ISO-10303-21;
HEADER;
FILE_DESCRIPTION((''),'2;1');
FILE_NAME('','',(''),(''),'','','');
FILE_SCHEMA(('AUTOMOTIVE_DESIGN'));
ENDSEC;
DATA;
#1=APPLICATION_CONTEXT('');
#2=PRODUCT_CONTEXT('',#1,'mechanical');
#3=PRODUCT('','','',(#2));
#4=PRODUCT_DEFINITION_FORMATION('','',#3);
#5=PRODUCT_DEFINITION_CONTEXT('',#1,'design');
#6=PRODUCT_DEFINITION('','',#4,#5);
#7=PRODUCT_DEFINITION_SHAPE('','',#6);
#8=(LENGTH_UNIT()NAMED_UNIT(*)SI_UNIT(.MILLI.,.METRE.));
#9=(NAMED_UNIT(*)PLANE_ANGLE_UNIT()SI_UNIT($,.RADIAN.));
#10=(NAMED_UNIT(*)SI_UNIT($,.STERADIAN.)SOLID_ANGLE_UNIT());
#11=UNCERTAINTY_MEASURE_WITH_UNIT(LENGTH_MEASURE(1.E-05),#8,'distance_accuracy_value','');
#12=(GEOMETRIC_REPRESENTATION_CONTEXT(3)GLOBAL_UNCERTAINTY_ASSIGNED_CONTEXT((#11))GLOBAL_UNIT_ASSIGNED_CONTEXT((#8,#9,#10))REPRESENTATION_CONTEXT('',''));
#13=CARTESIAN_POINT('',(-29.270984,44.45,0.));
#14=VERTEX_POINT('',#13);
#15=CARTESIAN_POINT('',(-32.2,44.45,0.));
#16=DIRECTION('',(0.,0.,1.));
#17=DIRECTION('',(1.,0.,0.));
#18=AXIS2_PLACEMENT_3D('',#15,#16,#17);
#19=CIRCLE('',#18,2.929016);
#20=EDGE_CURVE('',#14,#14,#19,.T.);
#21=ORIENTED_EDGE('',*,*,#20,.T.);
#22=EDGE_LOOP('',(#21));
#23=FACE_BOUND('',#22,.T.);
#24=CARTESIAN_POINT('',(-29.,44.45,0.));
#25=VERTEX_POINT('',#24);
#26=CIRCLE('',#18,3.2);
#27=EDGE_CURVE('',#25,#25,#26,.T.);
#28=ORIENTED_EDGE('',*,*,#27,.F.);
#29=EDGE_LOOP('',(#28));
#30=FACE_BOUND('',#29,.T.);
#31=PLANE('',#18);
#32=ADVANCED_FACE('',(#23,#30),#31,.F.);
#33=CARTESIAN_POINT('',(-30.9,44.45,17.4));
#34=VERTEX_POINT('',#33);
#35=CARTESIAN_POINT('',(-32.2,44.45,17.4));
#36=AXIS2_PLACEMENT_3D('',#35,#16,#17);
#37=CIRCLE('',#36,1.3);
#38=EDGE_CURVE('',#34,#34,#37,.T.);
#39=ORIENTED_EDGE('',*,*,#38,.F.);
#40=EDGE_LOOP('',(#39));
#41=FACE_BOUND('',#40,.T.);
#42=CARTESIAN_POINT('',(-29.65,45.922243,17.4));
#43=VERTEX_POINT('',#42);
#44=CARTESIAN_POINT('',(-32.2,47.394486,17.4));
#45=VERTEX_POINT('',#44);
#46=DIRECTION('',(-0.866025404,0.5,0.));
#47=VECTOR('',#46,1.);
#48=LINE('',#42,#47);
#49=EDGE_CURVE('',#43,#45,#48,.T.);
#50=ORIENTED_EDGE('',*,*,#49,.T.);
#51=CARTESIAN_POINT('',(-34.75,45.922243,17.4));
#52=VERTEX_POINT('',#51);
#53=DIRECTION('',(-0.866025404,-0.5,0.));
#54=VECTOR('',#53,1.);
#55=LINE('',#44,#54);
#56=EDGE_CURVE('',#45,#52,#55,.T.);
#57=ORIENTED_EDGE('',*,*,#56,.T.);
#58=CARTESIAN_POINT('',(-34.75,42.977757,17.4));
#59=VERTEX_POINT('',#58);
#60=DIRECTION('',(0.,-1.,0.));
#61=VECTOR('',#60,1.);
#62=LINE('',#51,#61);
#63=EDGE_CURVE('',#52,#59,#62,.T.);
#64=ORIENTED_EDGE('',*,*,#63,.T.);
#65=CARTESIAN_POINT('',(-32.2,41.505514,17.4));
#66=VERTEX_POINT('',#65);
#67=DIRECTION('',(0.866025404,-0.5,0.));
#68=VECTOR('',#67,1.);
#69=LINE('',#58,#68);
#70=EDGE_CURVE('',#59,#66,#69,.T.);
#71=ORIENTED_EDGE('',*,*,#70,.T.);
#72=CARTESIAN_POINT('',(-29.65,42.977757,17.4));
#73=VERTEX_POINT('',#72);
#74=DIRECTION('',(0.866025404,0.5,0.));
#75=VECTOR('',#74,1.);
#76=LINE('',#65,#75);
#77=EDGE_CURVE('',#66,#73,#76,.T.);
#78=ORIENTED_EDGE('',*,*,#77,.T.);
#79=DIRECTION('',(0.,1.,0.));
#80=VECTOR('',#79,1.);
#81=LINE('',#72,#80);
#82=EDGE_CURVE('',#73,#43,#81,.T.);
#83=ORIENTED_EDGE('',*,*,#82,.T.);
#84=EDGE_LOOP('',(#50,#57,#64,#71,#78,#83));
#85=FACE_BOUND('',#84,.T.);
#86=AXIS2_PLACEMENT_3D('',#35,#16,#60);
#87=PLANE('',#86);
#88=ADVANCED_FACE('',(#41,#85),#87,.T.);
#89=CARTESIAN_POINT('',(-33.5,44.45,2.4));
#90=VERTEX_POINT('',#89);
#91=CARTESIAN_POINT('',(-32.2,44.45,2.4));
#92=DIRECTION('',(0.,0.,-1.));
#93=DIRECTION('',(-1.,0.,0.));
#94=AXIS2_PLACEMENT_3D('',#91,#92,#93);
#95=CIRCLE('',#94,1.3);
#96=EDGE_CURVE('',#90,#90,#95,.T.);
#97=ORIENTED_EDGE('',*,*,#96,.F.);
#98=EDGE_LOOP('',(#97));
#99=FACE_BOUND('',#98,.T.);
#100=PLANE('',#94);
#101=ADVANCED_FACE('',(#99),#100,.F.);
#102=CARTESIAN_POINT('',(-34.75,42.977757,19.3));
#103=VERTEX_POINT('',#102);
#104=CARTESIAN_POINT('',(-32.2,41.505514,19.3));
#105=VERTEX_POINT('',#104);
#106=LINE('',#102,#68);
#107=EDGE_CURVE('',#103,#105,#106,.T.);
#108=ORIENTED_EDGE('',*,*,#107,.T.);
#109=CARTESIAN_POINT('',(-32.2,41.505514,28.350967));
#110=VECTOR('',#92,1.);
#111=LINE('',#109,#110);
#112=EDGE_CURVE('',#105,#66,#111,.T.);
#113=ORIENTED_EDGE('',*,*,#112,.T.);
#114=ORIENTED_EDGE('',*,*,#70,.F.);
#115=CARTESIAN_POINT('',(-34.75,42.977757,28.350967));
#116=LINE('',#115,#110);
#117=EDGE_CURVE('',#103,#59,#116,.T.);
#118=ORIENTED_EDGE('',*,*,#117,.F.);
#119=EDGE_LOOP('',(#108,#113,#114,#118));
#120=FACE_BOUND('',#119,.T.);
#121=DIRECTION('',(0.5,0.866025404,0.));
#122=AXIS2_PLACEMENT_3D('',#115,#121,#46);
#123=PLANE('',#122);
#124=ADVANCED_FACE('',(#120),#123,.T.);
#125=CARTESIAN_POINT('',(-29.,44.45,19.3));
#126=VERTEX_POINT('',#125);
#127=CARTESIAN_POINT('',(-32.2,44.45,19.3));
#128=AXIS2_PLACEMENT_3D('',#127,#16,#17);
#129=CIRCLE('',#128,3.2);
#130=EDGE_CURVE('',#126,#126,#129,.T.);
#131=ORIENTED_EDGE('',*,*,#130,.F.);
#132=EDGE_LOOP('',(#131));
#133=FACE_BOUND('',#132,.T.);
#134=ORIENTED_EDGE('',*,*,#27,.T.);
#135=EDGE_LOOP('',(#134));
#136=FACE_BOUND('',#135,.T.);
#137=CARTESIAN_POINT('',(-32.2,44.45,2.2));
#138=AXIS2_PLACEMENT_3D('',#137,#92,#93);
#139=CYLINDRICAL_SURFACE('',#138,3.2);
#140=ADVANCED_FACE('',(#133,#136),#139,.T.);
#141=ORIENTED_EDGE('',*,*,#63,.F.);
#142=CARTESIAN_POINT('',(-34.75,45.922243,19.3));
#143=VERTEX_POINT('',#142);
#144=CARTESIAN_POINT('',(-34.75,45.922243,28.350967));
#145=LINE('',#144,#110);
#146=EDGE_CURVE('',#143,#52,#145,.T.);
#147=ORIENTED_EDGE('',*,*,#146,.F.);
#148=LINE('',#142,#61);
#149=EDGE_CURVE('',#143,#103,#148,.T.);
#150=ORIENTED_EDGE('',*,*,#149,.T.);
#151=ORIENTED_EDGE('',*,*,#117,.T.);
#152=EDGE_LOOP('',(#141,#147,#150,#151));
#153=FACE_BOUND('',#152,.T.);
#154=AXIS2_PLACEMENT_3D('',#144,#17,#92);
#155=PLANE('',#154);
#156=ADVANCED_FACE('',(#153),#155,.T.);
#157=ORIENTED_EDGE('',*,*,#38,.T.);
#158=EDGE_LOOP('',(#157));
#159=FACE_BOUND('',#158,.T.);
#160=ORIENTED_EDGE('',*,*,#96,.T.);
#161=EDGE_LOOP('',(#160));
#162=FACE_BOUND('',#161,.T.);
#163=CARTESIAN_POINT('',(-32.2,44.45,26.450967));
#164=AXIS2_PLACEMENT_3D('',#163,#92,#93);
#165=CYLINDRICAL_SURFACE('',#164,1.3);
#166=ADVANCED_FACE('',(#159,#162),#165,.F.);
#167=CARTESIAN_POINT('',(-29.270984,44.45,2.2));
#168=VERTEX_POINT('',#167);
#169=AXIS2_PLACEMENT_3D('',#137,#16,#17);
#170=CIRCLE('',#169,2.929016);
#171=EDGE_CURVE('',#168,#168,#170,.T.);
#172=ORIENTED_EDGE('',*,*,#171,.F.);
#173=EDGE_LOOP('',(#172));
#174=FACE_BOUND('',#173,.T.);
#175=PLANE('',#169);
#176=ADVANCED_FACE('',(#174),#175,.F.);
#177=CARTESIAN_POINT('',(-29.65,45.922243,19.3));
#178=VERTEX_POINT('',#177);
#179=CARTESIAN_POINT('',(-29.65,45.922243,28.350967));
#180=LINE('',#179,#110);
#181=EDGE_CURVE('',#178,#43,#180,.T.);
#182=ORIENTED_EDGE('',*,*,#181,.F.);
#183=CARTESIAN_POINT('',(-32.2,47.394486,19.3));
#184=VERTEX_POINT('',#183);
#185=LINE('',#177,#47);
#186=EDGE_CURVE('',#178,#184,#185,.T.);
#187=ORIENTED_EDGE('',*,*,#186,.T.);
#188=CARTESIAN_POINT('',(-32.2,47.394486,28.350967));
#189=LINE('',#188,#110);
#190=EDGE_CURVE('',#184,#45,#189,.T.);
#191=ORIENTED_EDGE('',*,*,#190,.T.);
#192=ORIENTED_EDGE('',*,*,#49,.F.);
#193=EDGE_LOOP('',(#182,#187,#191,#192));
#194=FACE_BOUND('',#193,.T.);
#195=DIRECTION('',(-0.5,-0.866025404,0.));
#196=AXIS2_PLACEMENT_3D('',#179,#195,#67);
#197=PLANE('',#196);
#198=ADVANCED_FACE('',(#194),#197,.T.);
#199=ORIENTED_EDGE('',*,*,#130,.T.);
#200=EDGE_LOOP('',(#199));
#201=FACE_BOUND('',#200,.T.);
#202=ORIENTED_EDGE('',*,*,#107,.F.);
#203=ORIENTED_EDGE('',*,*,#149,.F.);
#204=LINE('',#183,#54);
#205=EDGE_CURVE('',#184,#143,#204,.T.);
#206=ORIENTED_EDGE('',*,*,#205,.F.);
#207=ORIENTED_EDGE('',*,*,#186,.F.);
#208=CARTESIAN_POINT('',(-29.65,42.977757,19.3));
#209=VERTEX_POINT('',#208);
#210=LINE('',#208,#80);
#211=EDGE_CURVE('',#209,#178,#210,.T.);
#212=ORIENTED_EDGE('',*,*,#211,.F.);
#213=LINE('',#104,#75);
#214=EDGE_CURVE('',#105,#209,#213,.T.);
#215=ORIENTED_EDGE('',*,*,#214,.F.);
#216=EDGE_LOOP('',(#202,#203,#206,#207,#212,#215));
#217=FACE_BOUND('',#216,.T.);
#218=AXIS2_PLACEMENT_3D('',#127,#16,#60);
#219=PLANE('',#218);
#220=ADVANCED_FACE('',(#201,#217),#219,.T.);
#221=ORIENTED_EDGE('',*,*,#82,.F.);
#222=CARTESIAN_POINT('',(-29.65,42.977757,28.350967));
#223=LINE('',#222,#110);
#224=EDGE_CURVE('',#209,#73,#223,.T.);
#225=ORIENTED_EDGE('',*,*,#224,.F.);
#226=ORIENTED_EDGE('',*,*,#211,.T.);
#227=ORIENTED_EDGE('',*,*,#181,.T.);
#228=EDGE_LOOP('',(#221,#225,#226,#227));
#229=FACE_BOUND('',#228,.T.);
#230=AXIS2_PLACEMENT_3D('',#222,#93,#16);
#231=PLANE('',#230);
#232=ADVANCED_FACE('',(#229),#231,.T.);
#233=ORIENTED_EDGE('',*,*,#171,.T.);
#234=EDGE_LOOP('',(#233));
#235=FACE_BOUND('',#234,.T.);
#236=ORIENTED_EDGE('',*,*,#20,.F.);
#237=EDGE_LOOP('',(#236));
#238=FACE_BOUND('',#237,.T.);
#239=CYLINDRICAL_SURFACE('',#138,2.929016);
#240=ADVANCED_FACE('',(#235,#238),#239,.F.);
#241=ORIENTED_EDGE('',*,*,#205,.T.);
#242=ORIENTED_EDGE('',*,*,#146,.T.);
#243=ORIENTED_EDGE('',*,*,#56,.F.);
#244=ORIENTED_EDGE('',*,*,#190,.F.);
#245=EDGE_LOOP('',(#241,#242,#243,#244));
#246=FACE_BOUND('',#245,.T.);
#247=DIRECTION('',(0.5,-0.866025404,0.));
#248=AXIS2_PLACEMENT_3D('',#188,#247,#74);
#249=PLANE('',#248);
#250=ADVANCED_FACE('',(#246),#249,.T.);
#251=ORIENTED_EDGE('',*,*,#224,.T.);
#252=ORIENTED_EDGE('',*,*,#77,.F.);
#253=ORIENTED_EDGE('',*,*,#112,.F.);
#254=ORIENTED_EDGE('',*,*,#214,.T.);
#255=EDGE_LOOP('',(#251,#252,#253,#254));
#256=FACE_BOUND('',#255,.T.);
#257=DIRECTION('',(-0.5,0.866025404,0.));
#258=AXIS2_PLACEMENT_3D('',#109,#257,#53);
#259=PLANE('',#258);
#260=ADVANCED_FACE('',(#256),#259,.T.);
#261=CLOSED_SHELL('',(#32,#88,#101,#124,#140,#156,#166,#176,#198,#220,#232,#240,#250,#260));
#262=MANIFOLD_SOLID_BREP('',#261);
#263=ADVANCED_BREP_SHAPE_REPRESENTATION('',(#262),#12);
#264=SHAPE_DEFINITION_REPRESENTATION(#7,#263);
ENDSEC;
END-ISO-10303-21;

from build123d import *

# Parameters (mm, degrees)
SKETCH1_R           = 3.2
SKETCH1_R_2         = 2.929016319
BOSS_EXTRUDE1_DEPTH = 2.2
SKETCH2_R           = 3.2
SKETCH2_R_2         = 1.3
BOSS_EXTRUDE2_DEPTH = 15.2
SKETCH3_R           = 3.2
BOSS_EXTRUDE3_DEPTH = 1.9
SKETCH4_R           = 1.3
BOSS_EXTRUDE4_DEPTH = 0.2


with BuildPart() as part:
    # Sketch1 → Boss-Extrude1 (new body)
    with BuildSketch(Plane.XY):
        with Locations((-32.2, 44.45)):
            Circle(SKETCH1_R)
        with Locations((-32.2, 44.45)):
            Circle(SKETCH1_R_2, mode=Mode.SUBTRACT)
    extrude(amount=BOSS_EXTRUDE1_DEPTH)

    # Sketch2 → Boss-Extrude2 (add)
    with BuildSketch(Plane.XY.offset(2.2)):
        with Locations((-32.2, 44.45)):
            Circle(SKETCH2_R)
        with Locations((-32.2, 44.45)):
            Circle(SKETCH2_R_2, mode=Mode.SUBTRACT)
    extrude(amount=BOSS_EXTRUDE2_DEPTH)

    # Sketch3 → Boss-Extrude3 (add)
    with BuildSketch(Plane.XY.offset(17.4)):
        with Locations((-32.2, 44.45)):
            Circle(SKETCH3_R)
        Polygon((-34.75, 42.977756814), (-32.2, 41.505513627), (-29.65, 42.977756814), (-29.65, 45.922243186), (-32.2, 47.394486373), (-34.75, 45.922243186), align=None, mode=Mode.SUBTRACT)
    extrude(amount=BOSS_EXTRUDE3_DEPTH)

    # Sketch4 → Boss-Extrude4 (add)
    with BuildSketch(Plane(origin=(0, 0, 2.2), x_dir=(-1, 0, 0), z_dir=(0, 0, -1))):
        with Locations((32.2, 44.45)):
            Circle(SKETCH4_R)
    extrude(amount=-BOSS_EXTRUDE4_DEPTH)


solid = part.part
